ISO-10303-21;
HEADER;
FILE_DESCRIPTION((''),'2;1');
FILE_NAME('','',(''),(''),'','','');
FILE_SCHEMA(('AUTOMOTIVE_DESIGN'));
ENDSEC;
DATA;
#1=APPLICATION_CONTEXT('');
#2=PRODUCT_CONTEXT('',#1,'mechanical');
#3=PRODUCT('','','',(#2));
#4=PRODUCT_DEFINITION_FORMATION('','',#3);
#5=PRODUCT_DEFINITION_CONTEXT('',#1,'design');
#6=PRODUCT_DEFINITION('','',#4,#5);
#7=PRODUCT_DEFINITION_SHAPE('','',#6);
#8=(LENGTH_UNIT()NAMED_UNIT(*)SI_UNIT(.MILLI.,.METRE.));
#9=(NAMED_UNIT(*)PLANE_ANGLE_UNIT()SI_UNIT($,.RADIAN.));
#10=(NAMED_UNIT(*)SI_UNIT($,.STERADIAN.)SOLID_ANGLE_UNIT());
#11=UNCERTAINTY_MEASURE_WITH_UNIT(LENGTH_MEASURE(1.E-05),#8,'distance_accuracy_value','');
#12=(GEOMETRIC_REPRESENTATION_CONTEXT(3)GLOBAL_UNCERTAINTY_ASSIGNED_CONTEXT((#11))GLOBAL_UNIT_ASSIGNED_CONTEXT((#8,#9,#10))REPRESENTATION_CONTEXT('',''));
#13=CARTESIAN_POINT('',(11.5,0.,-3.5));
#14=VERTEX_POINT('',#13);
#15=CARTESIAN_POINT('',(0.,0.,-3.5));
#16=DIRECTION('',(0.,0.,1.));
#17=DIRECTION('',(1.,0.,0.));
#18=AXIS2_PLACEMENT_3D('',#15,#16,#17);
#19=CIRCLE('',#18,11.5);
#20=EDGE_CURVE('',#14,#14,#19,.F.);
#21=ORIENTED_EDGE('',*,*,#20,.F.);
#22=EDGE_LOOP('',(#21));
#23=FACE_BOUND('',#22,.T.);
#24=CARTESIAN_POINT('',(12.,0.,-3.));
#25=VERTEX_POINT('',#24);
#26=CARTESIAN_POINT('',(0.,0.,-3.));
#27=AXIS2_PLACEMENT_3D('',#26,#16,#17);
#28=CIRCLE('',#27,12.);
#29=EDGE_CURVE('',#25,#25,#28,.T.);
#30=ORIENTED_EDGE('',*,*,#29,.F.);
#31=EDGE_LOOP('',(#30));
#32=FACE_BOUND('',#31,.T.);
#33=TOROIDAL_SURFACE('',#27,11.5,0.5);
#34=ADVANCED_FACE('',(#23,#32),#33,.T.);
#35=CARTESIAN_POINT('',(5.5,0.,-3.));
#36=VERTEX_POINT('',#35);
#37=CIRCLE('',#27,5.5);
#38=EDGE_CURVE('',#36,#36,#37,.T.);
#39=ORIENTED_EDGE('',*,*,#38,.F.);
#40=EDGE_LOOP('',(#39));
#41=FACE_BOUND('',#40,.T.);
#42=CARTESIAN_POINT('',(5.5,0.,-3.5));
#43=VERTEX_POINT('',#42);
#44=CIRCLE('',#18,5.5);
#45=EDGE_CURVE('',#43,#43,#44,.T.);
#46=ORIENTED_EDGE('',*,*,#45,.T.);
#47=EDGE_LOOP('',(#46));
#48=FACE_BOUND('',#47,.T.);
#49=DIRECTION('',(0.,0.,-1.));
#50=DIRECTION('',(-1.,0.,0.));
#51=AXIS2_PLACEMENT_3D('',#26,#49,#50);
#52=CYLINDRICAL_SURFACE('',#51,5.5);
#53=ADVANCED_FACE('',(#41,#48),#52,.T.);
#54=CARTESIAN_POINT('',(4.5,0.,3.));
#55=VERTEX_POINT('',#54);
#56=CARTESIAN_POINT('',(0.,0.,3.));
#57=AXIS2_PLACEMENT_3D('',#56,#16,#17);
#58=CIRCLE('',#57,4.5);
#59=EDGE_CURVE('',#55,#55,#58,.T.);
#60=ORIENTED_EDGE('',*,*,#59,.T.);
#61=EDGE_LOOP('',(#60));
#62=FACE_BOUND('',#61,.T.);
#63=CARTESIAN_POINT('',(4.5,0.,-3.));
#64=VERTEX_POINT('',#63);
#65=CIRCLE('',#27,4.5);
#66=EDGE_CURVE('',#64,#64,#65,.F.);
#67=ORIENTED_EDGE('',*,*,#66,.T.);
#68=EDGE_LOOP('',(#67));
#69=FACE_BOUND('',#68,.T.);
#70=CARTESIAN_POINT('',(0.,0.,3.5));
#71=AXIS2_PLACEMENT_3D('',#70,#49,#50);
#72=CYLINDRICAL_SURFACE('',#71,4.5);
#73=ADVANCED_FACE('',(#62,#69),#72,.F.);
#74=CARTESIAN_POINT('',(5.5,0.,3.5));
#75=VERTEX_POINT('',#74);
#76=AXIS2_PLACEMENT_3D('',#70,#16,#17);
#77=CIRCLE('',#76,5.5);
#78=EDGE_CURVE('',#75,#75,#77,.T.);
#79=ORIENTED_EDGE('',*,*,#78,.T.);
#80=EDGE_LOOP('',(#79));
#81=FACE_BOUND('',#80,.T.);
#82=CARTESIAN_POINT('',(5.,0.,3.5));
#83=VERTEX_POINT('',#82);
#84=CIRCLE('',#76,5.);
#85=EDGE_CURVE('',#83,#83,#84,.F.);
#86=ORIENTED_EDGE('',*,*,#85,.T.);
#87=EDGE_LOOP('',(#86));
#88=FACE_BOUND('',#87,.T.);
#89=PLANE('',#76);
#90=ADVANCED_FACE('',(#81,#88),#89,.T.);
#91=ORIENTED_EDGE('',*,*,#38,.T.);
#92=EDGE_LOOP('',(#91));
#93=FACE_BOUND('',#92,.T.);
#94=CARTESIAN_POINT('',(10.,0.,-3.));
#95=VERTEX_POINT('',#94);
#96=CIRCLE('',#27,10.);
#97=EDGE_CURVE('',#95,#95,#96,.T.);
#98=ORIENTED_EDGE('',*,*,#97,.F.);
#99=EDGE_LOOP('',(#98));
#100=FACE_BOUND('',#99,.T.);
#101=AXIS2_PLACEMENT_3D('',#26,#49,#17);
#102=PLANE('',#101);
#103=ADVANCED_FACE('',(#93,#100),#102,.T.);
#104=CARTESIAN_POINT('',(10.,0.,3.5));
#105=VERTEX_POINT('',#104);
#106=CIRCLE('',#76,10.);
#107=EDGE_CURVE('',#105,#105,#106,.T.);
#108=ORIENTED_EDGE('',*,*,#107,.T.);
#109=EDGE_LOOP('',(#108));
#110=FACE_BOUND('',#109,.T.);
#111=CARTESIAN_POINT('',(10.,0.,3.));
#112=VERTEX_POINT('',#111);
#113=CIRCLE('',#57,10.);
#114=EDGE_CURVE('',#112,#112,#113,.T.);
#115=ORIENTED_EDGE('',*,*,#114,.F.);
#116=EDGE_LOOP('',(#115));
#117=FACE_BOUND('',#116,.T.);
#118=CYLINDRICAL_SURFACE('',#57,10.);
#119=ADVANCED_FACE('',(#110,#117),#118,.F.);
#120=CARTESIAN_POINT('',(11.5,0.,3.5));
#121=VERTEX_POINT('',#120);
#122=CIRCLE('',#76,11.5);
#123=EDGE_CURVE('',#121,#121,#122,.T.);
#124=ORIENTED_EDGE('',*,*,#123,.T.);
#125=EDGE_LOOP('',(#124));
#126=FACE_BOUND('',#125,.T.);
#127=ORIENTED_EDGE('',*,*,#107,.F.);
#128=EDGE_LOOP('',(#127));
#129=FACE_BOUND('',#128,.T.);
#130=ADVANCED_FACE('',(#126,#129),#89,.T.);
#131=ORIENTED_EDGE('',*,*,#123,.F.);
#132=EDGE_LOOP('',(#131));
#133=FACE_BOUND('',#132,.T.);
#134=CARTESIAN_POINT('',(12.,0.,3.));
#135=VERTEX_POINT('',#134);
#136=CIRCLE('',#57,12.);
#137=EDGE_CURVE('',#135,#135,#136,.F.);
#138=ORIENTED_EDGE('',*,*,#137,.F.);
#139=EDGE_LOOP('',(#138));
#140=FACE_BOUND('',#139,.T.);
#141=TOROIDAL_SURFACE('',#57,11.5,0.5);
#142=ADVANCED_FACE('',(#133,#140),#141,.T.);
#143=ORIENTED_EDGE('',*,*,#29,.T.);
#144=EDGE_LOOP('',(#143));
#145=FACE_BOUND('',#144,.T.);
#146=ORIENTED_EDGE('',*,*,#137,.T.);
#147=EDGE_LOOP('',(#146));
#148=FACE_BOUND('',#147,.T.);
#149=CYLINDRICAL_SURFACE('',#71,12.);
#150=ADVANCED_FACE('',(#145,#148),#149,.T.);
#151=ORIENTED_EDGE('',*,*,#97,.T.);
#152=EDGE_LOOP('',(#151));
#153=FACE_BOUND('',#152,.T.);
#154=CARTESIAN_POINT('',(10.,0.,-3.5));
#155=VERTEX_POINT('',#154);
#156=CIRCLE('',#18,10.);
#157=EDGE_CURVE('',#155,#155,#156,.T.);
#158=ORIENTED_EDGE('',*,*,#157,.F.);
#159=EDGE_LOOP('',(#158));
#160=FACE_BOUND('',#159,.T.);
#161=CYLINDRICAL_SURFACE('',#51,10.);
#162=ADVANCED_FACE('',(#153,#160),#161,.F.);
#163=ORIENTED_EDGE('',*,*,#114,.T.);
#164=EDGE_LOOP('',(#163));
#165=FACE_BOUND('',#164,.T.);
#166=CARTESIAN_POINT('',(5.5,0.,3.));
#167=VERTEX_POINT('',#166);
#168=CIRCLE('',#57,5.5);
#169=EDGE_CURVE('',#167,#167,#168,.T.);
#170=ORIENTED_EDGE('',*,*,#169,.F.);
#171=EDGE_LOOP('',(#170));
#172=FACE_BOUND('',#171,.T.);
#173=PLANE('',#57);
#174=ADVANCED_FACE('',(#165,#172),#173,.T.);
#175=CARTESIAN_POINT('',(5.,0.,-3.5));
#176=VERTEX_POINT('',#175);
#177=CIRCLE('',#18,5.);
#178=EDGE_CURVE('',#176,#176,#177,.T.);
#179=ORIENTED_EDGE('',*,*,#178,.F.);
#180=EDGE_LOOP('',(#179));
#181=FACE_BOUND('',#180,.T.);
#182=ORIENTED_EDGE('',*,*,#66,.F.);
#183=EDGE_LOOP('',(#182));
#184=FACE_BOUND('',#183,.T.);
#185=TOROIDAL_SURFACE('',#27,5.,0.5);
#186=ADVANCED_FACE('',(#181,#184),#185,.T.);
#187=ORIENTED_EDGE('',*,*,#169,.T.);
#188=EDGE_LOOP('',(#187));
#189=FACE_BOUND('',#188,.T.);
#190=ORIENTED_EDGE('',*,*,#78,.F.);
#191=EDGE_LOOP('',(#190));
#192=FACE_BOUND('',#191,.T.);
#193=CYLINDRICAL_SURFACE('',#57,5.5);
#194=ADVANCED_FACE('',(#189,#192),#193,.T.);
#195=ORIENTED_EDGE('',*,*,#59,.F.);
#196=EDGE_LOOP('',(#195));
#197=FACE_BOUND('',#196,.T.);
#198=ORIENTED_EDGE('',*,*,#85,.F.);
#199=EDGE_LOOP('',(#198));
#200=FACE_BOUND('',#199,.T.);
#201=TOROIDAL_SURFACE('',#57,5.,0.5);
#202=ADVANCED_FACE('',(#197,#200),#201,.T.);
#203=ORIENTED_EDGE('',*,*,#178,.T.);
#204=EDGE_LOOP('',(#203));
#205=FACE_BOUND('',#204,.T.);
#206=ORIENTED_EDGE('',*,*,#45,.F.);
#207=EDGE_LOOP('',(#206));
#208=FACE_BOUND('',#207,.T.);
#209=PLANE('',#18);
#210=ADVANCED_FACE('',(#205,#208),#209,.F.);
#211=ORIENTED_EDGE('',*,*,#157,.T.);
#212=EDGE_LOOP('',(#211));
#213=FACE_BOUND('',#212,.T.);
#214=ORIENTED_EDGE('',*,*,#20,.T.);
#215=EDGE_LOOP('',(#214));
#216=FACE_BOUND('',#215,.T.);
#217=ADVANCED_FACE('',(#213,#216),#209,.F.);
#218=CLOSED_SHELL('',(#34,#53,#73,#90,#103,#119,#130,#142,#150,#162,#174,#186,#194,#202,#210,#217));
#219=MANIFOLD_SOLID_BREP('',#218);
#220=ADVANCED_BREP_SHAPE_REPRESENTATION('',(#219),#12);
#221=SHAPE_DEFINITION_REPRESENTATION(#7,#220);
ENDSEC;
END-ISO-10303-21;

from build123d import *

# Parameters (mm, degrees)
SKETCH1_R           = 12
SKETCH1_R_2         = 4.5
BOSS_EXTRUDE1_DEPTH = 3.5
FILLET1_R           = 0.5
SKETCH2_R           = 10
SKETCH2_R_2         = 5.5
CUT_EXTRUDE1_DEPTH  = 0.5


with BuildPart() as part:
    # Sketch1 → Boss-Extrude1 (new, symmetric)
    with BuildSketch(Plane.XY):
        Circle(SKETCH1_R)
        Circle(SKETCH1_R_2, mode=Mode.SUBTRACT)
    extrude(amount=BOSS_EXTRUDE1_DEPTH, both=True)

    # Fillet1
    fillet1_edges = [part.edges().sort_by_distance(p)[0] for p in [
        (-12, 0, -3.5),
        (-12, 0, 3.5),
        (-4.5, 0, -3.5),
        (-4.5, 0, 3.5),
    ]]
    fillet(fillet1_edges, radius=FILLET1_R)

    # Sketch2 → Cut-Extrude1 (cut)
    with BuildSketch(Plane.XY.offset(3.5)):
        Circle(SKETCH2_R)
        Circle(SKETCH2_R_2, mode=Mode.SUBTRACT)
    cut_extrude1 = extrude(amount=-CUT_EXTRUDE1_DEPTH, mode=Mode.SUBTRACT)

    # Mirror1: Cut-Extrude1 across plane
    add(cut_extrude1.mirror(Plane.XY), mode=Mode.SUBTRACT)


solid = part.part
